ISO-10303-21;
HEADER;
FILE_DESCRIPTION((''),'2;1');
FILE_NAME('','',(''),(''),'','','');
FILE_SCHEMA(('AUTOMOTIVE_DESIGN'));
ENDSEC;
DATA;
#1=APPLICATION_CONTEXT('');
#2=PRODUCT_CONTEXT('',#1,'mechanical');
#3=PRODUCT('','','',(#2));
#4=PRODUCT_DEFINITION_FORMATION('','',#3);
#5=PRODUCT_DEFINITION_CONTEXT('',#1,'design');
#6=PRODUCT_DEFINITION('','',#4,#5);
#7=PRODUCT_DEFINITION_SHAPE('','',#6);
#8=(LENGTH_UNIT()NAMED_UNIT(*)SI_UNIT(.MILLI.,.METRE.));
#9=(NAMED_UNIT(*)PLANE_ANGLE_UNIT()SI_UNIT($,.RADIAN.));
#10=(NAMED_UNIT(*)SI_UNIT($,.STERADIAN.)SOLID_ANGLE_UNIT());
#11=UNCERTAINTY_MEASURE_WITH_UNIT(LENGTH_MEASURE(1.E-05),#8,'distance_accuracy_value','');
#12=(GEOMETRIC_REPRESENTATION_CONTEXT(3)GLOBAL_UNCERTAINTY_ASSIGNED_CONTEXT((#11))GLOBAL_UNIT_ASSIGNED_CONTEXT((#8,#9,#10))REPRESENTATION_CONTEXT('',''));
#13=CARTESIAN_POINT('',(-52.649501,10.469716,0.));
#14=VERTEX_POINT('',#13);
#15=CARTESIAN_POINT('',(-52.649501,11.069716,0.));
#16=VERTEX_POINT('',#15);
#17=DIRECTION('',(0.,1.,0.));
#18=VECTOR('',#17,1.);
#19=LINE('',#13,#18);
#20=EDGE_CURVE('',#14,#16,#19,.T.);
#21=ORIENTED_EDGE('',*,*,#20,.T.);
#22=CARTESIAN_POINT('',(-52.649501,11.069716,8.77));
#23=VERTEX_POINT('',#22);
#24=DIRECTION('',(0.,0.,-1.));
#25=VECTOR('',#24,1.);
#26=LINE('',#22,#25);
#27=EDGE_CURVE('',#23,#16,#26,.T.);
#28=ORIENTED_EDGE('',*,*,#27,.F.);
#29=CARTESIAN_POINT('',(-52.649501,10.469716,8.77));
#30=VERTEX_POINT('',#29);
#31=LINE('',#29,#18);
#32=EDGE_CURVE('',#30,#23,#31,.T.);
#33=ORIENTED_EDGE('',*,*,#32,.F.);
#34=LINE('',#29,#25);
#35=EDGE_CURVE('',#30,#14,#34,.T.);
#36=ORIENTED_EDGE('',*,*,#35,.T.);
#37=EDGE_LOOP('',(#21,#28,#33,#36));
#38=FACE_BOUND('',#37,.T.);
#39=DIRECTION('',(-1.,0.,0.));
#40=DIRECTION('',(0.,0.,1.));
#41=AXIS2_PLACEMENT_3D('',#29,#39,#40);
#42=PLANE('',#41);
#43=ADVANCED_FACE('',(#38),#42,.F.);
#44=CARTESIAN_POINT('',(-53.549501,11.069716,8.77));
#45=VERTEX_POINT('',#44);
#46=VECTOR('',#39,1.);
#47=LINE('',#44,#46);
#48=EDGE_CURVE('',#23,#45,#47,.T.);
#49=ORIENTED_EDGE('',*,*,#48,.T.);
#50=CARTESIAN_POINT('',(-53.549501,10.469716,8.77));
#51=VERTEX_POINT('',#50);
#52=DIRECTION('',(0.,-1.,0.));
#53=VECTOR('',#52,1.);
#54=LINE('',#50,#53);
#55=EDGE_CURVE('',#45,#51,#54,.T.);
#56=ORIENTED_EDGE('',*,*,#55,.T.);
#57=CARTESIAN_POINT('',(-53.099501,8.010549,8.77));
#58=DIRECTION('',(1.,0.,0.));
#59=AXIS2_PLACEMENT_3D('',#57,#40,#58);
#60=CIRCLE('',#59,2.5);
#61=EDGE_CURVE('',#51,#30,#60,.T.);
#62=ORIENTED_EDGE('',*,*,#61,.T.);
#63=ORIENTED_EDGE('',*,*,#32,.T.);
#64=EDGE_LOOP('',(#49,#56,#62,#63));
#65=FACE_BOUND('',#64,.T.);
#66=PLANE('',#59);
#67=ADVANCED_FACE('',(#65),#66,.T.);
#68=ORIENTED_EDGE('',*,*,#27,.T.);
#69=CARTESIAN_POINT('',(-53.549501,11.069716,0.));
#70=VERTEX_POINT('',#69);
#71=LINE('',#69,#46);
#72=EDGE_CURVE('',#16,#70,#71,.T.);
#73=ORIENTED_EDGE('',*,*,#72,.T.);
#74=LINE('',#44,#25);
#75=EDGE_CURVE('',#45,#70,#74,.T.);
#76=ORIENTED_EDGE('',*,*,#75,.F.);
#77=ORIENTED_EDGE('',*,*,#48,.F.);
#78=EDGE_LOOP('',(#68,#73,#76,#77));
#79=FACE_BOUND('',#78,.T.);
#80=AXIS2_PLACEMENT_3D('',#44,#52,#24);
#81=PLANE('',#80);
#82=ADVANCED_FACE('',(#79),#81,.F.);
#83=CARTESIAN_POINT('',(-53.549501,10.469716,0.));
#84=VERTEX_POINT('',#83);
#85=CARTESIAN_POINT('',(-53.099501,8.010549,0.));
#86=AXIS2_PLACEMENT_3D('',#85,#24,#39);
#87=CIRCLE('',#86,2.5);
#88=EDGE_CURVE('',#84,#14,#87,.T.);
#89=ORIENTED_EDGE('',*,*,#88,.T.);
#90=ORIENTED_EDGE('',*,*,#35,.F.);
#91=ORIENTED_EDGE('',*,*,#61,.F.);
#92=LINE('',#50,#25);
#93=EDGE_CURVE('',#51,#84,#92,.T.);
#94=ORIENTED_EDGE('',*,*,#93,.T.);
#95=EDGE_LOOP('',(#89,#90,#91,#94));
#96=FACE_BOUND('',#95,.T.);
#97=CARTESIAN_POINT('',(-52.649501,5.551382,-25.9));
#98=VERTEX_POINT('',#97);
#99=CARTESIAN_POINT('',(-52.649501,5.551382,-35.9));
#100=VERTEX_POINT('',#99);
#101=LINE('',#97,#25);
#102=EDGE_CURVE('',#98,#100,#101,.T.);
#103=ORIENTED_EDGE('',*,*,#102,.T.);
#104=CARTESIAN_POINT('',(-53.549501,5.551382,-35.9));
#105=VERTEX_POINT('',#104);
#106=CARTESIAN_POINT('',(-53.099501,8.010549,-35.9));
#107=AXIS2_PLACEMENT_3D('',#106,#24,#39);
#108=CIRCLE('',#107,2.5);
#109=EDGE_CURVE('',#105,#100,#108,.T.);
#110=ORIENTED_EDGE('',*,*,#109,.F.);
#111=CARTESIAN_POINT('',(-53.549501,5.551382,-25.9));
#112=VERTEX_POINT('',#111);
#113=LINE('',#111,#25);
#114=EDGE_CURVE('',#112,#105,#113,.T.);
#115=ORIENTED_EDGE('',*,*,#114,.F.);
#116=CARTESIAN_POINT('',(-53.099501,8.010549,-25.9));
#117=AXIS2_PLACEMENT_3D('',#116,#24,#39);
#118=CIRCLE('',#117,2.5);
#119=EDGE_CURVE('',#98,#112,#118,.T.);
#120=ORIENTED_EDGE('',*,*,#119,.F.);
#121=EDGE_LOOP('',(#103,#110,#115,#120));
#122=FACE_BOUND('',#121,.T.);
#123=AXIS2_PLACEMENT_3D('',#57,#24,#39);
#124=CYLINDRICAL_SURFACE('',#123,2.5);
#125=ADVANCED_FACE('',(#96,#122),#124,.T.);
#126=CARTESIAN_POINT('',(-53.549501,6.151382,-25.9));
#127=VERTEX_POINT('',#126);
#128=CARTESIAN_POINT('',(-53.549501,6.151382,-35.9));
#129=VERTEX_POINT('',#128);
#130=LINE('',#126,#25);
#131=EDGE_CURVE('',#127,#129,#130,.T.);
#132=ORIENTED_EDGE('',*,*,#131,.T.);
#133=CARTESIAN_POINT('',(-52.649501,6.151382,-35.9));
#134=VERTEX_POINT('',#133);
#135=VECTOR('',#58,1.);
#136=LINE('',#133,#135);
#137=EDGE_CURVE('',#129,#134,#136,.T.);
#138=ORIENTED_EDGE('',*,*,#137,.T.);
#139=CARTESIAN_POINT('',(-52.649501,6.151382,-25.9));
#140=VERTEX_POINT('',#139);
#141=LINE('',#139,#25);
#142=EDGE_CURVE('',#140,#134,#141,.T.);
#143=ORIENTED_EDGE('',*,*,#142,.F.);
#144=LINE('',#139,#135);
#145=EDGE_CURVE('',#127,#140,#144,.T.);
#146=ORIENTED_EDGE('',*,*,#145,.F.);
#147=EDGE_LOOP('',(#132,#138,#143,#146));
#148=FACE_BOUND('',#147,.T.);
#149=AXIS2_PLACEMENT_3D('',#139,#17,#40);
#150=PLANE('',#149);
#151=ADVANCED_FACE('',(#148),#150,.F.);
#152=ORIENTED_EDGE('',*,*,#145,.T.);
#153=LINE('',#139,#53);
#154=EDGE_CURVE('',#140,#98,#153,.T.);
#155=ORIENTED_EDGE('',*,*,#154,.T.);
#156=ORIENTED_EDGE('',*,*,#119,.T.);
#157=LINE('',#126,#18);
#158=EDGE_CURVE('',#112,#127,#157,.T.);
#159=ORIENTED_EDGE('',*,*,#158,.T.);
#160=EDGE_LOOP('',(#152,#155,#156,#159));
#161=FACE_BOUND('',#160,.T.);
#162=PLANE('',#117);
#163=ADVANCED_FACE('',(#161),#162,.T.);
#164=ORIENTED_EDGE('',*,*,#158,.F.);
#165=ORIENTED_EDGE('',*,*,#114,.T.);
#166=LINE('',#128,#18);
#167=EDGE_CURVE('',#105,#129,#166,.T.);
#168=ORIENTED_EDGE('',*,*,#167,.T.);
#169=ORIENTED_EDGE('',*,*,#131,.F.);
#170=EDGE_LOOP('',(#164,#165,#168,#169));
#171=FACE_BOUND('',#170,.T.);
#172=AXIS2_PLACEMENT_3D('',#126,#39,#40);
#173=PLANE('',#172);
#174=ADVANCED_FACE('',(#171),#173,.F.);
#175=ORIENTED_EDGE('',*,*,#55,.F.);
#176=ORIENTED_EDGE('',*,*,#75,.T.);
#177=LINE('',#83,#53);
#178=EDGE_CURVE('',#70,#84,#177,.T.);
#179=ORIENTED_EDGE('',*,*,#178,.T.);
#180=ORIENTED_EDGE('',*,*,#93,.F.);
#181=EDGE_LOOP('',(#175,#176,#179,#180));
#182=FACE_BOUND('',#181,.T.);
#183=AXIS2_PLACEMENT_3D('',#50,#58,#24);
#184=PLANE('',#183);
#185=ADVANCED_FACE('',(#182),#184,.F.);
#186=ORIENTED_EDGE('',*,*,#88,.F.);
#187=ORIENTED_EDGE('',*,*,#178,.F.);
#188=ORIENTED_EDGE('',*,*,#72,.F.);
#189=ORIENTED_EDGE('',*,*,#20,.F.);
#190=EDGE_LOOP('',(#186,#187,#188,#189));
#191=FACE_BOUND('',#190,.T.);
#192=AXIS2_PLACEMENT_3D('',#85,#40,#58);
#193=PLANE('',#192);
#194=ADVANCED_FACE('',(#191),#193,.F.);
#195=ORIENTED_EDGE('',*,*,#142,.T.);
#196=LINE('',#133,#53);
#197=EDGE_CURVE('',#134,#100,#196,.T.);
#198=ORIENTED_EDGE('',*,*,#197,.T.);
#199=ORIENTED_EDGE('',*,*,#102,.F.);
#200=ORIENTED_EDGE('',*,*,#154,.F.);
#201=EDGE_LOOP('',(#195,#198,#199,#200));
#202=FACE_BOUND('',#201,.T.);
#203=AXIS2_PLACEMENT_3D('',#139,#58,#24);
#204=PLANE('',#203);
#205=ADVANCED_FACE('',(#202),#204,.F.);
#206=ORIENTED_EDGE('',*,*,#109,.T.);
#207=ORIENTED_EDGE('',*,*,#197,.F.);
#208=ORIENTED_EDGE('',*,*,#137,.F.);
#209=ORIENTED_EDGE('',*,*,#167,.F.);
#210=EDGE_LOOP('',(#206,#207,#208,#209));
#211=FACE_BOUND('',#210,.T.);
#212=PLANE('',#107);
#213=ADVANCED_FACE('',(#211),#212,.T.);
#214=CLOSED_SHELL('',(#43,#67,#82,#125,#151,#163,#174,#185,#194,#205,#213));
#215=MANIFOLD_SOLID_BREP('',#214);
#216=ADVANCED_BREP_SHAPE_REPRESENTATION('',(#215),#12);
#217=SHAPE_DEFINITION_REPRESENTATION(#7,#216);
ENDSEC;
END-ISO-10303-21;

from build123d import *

# Parameters (mm, degrees)
SALIENTE_EXTRUIR1_DEPTH = 8.77
SALIENTE_EXTRUIR2_START = 25.9
CROQUIS2_R              = 2.5
SALIENTE_EXTRUIR2_DEPTH = 25.9
SALIENTE_EXTRUIR6_START = 10
CROQUIS3_R              = 2.5
SALIENTE_EXTRUIR6_DEPTH = 10
CORTAR_EXTRUIR1_DEPTH   = 10


with BuildPart() as part:
    # Croquis1 → Saliente-Extruir1 (new body)
    with BuildSketch(Plane.XY):
        with BuildLine():
            Line((-53.549500652, 10.469715541), (-53.549500652, 11.069715541))
            Line((-53.549500652, 11.069715541), (-52.649500652, 11.069715541))
            Line((-52.649500652, 11.069715541), (-52.649500652, 10.469715541))
            ThreePointArc((-52.649500652, 10.469715541), (-53.099500652, 5.510549015), (-53.549500652, 10.469715541))
        make_face()
    extrude(amount=SALIENTE_EXTRUIR1_DEPTH)

    # Croquis2 → Saliente-Extruir2 (add)
    with BuildSketch(Plane(origin=(0, 0, 0), x_dir=(-1, 0, 0), z_dir=(0, 0, -1)).offset(SALIENTE_EXTRUIR2_START)):
        with Locations((53.099500652, 8.010549015)):
            Circle(CROQUIS2_R)
    extrude(amount=-SALIENTE_EXTRUIR2_DEPTH)

    # Croquis3 → Saliente-Extruir6 (add)
    with BuildSketch(Plane(origin=(0, 0, -25.9), x_dir=(-1, 0, 0), z_dir=(0, 0, -1)).offset(SALIENTE_EXTRUIR6_START)):
        with Locations((53.099500652, 8.010549015)):
            Circle(CROQUIS3_R)
    extrude(amount=-SALIENTE_EXTRUIR6_DEPTH)

    # Croquis8 → Cortar-Extruir1 (cut)
    with BuildSketch(Plane(origin=(0, 0, -35.9), x_dir=(-1, 0, 0), z_dir=(0, 0, -1))):
        with BuildLine():
            Line((52.649500652, 6.15138249), (52.649500652, 5.55138249))
            ThreePointArc((52.649500652, 5.55138249), (53.099500652, 5.510549014), (53.549500652, 5.55138249))
            Line((53.549500652, 5.55138249), (53.549500652, 6.15138249))
            Line((53.549500652, 6.15138249), (52.649500652, 6.15138249))
        make_face()
    extrude(amount=-CORTAR_EXTRUIR1_DEPTH, mode=Mode.SUBTRACT)


solid = part.part
